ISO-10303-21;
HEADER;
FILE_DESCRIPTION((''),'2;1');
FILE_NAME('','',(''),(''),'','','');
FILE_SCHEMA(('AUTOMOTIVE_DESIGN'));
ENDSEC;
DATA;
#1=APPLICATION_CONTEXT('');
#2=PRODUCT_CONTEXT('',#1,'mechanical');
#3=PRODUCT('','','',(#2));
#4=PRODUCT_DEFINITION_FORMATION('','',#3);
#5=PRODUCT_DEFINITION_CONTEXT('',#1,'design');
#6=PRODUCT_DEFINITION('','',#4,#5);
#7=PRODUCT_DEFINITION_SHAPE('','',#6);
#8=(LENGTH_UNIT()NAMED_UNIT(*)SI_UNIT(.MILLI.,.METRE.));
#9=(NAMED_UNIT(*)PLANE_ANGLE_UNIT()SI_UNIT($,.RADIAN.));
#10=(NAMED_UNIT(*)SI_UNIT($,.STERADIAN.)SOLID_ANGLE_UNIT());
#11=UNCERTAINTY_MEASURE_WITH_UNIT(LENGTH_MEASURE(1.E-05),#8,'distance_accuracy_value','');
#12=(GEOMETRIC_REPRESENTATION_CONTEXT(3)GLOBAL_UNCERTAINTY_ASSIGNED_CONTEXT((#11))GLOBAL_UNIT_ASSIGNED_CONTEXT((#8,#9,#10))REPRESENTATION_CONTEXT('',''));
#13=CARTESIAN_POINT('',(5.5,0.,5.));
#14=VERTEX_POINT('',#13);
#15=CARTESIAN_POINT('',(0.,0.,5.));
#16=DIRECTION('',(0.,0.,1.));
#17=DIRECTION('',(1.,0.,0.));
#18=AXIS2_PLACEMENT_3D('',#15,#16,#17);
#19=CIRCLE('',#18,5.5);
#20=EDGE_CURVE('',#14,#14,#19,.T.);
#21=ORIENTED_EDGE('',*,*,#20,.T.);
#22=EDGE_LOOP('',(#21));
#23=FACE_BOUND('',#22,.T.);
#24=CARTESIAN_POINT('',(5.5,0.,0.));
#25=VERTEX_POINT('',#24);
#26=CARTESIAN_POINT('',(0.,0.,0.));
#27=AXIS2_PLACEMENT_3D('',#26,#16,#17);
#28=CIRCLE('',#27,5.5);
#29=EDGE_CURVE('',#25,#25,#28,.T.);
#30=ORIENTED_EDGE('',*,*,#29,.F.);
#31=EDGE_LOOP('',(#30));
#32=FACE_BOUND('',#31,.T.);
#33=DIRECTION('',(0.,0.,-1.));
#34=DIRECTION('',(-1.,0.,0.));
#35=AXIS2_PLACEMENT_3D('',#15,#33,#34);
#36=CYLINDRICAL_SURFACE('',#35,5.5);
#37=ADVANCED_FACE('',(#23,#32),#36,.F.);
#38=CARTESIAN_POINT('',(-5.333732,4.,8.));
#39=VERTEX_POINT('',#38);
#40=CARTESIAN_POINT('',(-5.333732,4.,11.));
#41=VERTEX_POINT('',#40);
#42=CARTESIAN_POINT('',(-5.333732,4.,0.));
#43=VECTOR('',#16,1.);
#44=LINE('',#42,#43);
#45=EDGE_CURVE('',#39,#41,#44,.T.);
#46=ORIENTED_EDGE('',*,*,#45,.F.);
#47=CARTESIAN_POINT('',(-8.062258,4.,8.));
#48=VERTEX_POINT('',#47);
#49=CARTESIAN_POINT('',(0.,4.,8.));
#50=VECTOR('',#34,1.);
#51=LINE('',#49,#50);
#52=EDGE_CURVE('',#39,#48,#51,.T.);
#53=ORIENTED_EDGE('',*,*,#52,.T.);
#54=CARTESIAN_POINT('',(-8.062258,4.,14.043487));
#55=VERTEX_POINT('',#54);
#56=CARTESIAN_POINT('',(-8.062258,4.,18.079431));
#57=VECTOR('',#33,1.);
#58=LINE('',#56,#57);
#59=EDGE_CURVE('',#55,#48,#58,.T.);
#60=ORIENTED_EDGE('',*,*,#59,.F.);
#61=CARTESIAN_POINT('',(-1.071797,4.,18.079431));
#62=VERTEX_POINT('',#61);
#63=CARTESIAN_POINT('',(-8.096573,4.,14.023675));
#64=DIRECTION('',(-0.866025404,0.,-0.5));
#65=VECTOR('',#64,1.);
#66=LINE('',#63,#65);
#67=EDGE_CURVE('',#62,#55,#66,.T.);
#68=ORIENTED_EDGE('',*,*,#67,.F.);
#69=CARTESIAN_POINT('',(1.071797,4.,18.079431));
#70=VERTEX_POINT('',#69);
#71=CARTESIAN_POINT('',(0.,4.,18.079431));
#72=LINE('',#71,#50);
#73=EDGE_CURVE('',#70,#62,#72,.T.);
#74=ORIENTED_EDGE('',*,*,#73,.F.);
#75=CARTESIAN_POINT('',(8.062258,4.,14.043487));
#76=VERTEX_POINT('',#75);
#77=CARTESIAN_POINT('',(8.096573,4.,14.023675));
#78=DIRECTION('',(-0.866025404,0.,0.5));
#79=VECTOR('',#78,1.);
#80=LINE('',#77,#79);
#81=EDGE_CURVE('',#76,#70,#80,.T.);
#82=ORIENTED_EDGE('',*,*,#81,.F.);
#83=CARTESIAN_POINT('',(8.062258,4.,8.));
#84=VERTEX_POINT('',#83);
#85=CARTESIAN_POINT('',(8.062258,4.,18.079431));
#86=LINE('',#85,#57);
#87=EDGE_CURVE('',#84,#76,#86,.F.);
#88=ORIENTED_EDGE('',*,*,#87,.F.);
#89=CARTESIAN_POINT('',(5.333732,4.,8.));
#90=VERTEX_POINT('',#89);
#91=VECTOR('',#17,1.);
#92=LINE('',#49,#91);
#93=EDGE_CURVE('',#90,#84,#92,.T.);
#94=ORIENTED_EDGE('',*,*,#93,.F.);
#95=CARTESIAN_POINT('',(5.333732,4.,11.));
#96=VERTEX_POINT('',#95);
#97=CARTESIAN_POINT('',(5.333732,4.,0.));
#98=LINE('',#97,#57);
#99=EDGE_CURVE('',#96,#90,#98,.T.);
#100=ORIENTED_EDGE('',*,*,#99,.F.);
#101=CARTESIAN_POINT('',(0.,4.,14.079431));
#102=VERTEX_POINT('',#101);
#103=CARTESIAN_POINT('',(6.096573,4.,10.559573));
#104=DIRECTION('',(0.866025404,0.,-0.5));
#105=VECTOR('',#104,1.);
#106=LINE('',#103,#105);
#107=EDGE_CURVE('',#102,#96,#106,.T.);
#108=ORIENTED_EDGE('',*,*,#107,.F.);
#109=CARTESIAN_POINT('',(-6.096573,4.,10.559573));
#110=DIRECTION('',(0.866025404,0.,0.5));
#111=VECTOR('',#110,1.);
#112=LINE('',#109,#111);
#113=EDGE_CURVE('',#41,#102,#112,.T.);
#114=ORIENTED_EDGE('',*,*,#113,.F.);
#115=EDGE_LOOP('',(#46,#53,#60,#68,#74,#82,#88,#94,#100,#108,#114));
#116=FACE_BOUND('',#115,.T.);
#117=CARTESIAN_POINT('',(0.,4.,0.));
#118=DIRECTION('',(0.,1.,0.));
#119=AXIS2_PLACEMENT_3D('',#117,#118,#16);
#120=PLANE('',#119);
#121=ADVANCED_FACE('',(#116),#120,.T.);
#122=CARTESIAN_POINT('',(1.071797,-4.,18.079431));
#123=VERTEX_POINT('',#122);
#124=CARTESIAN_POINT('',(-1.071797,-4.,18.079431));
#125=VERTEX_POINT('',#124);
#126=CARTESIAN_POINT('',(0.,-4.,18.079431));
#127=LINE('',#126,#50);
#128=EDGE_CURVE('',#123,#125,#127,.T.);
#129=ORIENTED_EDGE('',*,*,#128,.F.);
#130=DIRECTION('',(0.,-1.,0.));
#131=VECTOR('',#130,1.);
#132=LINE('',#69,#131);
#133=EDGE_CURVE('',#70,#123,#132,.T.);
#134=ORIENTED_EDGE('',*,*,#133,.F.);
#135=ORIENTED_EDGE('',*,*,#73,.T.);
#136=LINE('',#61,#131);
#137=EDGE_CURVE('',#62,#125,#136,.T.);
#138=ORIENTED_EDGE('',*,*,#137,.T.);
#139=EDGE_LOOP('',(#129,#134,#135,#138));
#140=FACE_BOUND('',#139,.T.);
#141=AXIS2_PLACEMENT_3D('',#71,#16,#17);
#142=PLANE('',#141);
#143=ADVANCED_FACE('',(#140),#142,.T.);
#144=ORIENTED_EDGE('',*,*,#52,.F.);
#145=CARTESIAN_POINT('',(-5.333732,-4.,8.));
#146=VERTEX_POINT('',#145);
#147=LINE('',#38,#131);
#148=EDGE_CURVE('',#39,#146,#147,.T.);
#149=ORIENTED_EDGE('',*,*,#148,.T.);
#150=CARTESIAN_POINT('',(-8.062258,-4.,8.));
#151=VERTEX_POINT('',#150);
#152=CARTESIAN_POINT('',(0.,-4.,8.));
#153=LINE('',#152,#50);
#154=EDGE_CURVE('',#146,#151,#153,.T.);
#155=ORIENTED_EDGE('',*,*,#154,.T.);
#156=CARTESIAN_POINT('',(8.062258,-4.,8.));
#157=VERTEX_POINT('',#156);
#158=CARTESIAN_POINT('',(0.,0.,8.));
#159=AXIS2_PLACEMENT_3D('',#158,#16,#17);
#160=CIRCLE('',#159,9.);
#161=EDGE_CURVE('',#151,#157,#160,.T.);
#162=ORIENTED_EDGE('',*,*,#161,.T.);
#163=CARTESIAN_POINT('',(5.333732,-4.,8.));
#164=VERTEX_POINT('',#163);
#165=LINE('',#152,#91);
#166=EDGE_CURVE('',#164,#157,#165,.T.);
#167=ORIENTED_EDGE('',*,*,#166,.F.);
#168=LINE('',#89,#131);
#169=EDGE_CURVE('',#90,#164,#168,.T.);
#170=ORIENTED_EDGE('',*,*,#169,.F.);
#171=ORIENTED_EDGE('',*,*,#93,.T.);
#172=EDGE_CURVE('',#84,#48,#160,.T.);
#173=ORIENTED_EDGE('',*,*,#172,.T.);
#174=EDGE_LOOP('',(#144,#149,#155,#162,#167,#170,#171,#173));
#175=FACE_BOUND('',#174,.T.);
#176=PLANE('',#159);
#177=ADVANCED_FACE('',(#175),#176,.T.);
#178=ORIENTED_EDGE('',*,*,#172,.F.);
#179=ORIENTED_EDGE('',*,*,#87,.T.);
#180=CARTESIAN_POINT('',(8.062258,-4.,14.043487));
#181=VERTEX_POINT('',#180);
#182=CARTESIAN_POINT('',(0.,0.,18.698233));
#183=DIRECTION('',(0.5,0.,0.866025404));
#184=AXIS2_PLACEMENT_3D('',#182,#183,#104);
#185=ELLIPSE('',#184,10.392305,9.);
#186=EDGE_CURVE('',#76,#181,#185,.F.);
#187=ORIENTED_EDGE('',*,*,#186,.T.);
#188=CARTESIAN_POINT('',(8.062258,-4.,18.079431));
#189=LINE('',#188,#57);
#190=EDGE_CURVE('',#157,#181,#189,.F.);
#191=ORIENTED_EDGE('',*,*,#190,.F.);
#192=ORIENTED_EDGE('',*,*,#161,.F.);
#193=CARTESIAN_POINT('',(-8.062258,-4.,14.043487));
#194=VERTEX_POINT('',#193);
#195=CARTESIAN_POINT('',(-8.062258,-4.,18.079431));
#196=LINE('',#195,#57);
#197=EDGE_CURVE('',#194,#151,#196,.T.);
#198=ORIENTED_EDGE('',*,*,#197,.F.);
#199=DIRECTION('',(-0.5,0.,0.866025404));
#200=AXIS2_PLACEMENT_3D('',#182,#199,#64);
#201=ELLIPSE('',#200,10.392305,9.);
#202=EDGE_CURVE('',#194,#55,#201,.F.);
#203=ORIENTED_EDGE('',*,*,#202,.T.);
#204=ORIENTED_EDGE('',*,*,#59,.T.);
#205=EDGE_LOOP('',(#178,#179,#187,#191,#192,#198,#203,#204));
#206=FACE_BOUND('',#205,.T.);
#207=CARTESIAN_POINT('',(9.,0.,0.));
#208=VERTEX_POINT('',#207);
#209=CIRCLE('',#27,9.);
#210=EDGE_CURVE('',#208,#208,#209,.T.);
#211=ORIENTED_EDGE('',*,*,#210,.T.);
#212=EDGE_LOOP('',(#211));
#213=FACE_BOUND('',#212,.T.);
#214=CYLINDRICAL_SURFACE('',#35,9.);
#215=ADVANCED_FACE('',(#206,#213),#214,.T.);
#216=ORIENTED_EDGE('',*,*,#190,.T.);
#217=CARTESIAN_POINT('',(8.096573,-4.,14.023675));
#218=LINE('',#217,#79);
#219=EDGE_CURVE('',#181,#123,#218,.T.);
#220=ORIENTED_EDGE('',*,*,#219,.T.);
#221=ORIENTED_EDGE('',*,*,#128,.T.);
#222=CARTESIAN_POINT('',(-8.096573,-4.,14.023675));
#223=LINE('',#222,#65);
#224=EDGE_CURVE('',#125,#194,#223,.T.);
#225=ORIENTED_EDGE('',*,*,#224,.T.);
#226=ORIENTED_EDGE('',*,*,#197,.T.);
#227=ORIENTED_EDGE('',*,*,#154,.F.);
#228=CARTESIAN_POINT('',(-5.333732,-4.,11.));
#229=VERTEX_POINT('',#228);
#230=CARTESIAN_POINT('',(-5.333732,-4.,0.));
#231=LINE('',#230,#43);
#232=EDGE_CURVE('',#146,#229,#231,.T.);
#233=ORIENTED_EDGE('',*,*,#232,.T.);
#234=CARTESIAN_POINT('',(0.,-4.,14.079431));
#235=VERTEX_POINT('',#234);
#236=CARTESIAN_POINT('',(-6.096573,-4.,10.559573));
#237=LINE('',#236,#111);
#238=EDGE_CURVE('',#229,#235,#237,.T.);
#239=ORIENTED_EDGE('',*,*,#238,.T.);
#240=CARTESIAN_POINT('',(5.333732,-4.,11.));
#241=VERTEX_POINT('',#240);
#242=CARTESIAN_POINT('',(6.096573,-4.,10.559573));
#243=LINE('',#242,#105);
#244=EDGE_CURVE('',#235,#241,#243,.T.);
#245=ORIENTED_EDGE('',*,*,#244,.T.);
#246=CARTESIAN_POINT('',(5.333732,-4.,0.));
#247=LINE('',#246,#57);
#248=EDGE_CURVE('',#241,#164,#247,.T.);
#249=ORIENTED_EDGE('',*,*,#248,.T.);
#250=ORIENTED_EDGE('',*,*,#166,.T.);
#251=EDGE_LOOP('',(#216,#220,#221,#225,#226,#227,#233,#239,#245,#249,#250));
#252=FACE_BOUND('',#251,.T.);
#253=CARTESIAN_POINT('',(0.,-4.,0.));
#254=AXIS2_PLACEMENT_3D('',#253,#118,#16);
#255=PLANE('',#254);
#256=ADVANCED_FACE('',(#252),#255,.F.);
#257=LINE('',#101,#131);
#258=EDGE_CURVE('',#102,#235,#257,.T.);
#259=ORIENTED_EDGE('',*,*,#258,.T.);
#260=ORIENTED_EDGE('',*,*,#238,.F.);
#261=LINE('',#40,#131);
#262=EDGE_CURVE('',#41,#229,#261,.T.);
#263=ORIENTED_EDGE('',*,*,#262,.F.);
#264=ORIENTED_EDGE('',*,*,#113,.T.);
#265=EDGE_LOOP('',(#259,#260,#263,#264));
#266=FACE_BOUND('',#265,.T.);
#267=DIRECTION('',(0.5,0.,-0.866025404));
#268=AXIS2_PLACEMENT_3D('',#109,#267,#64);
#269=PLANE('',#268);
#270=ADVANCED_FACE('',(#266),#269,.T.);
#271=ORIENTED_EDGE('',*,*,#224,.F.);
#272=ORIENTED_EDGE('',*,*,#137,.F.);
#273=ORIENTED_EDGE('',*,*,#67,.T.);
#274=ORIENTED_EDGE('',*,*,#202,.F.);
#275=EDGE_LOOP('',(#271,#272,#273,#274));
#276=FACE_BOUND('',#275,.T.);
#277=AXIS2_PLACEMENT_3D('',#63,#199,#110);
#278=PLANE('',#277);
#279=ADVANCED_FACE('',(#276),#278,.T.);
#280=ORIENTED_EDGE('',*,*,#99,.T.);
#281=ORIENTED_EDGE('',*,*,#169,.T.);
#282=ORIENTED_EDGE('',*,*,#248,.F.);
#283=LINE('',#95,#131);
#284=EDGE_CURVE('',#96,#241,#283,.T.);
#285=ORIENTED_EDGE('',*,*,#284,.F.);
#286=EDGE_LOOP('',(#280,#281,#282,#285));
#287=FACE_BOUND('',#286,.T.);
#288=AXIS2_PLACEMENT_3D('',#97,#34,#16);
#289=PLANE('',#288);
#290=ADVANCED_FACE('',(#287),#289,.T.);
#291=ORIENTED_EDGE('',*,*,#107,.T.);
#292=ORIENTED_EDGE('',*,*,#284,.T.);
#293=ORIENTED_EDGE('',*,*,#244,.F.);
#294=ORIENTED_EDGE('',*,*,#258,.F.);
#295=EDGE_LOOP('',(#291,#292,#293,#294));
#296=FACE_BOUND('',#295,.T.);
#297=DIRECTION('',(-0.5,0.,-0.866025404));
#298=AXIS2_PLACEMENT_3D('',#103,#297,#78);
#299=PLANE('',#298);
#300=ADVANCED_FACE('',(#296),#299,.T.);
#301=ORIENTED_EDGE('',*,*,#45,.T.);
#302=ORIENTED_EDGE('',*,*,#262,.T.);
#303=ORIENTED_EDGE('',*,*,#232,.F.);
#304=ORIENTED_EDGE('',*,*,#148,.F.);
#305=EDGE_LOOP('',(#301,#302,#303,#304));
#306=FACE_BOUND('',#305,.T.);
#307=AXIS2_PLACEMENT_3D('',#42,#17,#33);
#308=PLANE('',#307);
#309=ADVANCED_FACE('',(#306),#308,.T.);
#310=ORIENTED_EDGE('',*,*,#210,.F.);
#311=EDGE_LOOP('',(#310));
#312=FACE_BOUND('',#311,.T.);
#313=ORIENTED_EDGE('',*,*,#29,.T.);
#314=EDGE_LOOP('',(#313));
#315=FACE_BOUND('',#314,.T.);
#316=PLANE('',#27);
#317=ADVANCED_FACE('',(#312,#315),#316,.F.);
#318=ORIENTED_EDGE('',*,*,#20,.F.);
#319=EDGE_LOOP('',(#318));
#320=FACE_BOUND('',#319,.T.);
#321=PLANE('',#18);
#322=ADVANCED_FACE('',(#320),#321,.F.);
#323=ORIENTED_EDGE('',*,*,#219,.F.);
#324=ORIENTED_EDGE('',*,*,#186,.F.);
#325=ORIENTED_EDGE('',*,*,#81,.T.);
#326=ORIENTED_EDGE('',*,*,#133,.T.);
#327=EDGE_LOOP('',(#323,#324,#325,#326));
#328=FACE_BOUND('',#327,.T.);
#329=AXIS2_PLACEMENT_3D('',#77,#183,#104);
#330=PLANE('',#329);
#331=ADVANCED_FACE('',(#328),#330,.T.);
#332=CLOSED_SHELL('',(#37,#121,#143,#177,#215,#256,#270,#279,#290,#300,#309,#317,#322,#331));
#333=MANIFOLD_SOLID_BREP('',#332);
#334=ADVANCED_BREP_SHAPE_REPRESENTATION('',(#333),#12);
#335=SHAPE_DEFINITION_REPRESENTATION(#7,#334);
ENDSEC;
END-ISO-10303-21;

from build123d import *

# Parameters (mm, degrees)
SKETCH1_R           = 9
SKETCH1_R_2         = 5.5
BOSS_EXTRUDE1_DEPTH = 5
SKETCH2_R           = 9
BOSS_EXTRUDE2_DEPTH = 3
BOSS_EXTRUDE3_DEPTH = 4
SKETCH4_OUTSIDE_W   = 26.244
SKETCH4_OUTSIDE_H   = 26.244
SKETCH4_OUTSIDE_R   = 9
CUT_EXTRUDE1_DEPTH  = 17.235607036


with BuildPart() as part:
    # Sketch1 → Boss-Extrude1 (new body)
    with BuildSketch(Plane.XY):
        Circle(SKETCH1_R)
        Circle(SKETCH1_R_2, mode=Mode.SUBTRACT)
    extrude(amount=BOSS_EXTRUDE1_DEPTH)

    # Sketch2 → Boss-Extrude2 (add)
    with BuildSketch(Plane.XY.offset(5)):
        Circle(SKETCH2_R)
    extrude(amount=BOSS_EXTRUDE2_DEPTH)

    # Sketch3 → Boss-Extrude3 (add, symmetric)
    with BuildSketch(Plane(origin=(0, 0, 0), x_dir=(1, 0, 0), z_dir=(0, 1, 0))):
        Polygon((-5.333731513, -11), (-5.333731513, -8), (-9, -8), (-9, -13.502081056), (-1.07179677, -18.079431325), (1.07179677, -18.079431325), (9, -13.502081056), (9, -8), (5.333731513, -8), (5.333731513, -11), (0, -14.079431325), align=None)
    extrude(amount=BOSS_EXTRUDE3_DEPTH, both=True)

    # Sketch4 outside → Cut-Extrude1 (cut, through all)
    with BuildSketch(Plane.XY.offset(8)):
        Rectangle(SKETCH4_OUTSIDE_W, SKETCH4_OUTSIDE_H)
        with Locations(Location((0, 0, 0), (0, 0, 206.387799961))):
            Circle(SKETCH4_OUTSIDE_R, mode=Mode.SUBTRACT)
    extrude(amount=CUT_EXTRUDE1_DEPTH, mode=Mode.SUBTRACT)


solid = part.part
